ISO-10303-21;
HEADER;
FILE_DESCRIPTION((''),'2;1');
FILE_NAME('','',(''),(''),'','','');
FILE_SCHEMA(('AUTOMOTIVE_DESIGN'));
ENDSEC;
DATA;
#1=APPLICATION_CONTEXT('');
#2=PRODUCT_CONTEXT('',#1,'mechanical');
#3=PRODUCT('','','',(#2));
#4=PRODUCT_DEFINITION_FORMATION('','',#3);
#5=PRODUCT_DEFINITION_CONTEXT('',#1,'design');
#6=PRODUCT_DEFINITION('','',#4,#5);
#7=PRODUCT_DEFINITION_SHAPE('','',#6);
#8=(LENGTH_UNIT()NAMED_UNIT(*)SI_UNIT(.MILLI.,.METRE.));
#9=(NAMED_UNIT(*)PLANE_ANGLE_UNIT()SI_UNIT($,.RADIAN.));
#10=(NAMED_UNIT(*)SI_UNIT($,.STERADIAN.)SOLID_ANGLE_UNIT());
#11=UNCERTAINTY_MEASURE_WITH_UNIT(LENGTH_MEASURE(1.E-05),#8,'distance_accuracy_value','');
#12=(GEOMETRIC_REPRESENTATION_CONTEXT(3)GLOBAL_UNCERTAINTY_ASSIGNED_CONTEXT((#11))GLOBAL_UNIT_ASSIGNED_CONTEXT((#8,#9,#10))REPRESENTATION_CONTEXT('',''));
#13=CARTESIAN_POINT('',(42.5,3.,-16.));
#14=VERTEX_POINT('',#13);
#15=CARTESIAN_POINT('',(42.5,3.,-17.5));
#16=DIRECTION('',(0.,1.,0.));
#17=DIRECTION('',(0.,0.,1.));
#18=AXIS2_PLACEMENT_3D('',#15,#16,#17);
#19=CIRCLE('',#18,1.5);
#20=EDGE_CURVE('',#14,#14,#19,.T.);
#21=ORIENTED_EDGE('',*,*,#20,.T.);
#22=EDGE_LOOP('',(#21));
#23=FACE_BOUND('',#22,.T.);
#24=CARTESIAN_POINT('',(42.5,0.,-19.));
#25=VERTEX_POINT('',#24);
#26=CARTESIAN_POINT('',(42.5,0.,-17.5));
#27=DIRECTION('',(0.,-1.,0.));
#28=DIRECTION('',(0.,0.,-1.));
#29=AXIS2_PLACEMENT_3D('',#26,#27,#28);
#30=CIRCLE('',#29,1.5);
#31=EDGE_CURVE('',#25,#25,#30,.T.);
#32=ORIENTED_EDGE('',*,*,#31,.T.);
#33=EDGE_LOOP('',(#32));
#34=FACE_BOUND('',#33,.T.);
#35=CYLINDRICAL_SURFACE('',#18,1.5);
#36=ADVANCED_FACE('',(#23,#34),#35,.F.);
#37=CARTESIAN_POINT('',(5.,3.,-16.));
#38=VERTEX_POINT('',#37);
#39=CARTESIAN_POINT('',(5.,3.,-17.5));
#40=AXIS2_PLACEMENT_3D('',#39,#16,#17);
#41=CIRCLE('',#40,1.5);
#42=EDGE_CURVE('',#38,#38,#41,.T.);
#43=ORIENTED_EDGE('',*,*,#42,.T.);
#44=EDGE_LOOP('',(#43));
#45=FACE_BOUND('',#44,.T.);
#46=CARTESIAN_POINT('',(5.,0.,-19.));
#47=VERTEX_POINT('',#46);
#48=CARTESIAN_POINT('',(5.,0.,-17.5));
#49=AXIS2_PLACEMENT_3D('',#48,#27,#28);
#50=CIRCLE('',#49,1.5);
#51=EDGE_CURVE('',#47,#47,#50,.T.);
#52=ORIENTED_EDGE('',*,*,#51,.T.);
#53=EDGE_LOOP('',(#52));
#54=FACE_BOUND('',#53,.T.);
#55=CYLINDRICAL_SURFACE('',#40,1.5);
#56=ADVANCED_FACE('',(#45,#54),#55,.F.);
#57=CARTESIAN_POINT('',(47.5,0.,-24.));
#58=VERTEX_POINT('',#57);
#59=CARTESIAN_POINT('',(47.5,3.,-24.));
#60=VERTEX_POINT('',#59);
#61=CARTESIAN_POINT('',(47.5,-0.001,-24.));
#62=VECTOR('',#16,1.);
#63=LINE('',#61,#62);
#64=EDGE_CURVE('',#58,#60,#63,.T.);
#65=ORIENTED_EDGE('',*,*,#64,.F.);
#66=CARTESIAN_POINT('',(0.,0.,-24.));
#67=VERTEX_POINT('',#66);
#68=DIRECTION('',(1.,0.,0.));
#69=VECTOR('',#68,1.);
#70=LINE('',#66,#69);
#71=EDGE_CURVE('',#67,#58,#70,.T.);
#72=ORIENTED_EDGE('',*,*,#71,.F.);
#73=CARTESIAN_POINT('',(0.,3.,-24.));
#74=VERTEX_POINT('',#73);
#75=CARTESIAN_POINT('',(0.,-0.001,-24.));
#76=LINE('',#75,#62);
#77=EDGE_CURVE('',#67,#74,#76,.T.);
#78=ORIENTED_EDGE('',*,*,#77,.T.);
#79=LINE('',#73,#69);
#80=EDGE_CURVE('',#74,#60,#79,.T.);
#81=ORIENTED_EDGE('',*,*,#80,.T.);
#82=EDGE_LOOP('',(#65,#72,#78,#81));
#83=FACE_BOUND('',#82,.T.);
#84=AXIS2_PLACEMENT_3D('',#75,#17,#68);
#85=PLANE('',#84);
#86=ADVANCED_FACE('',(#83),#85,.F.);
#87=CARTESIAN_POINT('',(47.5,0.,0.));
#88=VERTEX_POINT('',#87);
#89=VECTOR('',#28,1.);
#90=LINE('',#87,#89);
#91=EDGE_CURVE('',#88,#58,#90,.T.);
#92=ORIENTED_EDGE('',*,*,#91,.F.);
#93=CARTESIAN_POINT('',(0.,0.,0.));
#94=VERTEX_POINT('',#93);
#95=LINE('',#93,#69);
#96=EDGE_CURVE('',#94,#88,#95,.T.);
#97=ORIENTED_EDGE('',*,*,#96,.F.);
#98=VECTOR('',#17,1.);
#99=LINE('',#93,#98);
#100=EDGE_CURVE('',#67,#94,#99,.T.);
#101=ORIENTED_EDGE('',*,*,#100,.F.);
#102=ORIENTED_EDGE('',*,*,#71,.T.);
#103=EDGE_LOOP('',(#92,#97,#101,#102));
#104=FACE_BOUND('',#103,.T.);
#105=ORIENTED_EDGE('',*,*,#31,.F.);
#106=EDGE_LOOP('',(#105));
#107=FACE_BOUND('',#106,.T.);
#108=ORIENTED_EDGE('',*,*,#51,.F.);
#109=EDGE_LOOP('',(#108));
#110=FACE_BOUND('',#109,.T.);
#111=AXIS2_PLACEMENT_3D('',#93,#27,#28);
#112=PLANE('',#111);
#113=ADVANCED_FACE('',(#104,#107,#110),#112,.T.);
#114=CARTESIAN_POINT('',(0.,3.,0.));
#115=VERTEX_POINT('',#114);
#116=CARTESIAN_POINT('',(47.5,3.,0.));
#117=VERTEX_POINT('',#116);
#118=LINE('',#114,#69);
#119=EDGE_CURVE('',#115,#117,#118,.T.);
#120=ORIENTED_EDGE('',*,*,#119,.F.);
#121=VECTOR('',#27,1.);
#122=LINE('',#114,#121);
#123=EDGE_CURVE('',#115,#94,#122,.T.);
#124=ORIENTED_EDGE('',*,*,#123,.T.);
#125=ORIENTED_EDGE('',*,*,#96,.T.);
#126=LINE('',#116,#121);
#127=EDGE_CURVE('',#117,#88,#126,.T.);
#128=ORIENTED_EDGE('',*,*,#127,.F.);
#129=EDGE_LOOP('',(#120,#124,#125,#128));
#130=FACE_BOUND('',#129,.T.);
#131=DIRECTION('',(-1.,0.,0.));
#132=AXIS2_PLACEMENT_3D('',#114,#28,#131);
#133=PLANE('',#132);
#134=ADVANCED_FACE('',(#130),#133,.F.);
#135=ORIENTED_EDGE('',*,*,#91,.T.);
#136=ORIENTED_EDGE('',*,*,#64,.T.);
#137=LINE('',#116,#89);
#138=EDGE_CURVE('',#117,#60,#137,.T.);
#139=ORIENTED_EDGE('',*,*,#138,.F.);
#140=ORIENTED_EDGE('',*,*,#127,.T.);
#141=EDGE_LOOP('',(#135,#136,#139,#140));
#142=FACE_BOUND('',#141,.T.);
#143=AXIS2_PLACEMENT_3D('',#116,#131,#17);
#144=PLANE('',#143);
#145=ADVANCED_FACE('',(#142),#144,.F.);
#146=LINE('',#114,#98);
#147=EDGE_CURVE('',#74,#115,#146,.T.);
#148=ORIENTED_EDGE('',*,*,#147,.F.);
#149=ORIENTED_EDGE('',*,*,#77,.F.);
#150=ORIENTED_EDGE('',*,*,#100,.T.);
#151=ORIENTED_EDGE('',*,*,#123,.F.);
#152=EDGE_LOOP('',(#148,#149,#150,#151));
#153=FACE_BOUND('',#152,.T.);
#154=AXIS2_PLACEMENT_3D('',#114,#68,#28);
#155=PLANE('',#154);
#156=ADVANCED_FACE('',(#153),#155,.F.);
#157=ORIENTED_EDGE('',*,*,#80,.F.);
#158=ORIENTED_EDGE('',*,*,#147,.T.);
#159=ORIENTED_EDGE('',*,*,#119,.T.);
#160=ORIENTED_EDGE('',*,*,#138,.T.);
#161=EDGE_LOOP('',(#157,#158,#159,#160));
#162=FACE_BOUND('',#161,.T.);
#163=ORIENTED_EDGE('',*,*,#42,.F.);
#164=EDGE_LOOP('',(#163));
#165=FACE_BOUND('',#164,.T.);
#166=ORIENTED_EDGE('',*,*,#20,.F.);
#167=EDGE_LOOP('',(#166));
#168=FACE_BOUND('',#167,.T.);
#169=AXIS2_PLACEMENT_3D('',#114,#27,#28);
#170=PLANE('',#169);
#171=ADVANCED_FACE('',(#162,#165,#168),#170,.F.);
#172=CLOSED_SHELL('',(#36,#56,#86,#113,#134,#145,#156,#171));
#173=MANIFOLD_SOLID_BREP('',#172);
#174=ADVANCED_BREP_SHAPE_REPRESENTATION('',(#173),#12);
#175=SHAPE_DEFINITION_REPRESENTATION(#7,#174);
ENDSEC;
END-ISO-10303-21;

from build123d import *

# Parameters (mm, degrees)
SKETCH2_W                 = 47.5
SKETCH2_H                 = 35
BOSS_EXTRUDE1_DEPTH       = 3
F_3_0MM_DOWEL_HOLE1_D     = 3
F_3_0MM_DOWEL_HOLE1_DEPTH = 3
CUT_EXTRUDE1_REACH        = 5
SKETCH5_W                 = 47.5
SKETCH5_H                 = 11


with BuildPart() as part:
    # Sketch2 → Boss-Extrude1 (new body)
    with BuildSketch(Plane(origin=(0, 0, 0), x_dir=(1, 0, 0), z_dir=(0, 1, 0))):
        with Locations((23.75, 17.5)):
            Rectangle(SKETCH2_W, SKETCH2_H)
    extrude(amount=BOSS_EXTRUDE1_DEPTH)

    # Ø3.0mm Dowel Hole1
    with Locations(Plane(origin=(0, 3, 0), x_dir=(1, 0, 0), z_dir=(0, 1, 0))):
        with Locations((5, 17.5), (42.5, 17.5)):
            Hole(F_3_0MM_DOWEL_HOLE1_D / 2, depth=F_3_0MM_DOWEL_HOLE1_DEPTH)

    # Sketch5 → Cut-Extrude1 (cut, up to next)
    with BuildSketch(Plane(origin=(0, 3, 0), x_dir=(1, 0, 0), z_dir=(0, 1, 0)), mode=Mode.PRIVATE) as cut_extrude1_sk1:
        with Locations((23.75, 29.5)):
            Rectangle(SKETCH5_W, SKETCH5_H)
    cut_extrude1_tool1 = extrude(cut_extrude1_sk1.sketch, amount=-CUT_EXTRUDE1_REACH, mode=Mode.PRIVATE) & part.part
    add(cut_extrude1_tool1.solids().sort_by_distance((23.75, 3, -29.5))[0], mode=Mode.SUBTRACT)


solid = part.part
